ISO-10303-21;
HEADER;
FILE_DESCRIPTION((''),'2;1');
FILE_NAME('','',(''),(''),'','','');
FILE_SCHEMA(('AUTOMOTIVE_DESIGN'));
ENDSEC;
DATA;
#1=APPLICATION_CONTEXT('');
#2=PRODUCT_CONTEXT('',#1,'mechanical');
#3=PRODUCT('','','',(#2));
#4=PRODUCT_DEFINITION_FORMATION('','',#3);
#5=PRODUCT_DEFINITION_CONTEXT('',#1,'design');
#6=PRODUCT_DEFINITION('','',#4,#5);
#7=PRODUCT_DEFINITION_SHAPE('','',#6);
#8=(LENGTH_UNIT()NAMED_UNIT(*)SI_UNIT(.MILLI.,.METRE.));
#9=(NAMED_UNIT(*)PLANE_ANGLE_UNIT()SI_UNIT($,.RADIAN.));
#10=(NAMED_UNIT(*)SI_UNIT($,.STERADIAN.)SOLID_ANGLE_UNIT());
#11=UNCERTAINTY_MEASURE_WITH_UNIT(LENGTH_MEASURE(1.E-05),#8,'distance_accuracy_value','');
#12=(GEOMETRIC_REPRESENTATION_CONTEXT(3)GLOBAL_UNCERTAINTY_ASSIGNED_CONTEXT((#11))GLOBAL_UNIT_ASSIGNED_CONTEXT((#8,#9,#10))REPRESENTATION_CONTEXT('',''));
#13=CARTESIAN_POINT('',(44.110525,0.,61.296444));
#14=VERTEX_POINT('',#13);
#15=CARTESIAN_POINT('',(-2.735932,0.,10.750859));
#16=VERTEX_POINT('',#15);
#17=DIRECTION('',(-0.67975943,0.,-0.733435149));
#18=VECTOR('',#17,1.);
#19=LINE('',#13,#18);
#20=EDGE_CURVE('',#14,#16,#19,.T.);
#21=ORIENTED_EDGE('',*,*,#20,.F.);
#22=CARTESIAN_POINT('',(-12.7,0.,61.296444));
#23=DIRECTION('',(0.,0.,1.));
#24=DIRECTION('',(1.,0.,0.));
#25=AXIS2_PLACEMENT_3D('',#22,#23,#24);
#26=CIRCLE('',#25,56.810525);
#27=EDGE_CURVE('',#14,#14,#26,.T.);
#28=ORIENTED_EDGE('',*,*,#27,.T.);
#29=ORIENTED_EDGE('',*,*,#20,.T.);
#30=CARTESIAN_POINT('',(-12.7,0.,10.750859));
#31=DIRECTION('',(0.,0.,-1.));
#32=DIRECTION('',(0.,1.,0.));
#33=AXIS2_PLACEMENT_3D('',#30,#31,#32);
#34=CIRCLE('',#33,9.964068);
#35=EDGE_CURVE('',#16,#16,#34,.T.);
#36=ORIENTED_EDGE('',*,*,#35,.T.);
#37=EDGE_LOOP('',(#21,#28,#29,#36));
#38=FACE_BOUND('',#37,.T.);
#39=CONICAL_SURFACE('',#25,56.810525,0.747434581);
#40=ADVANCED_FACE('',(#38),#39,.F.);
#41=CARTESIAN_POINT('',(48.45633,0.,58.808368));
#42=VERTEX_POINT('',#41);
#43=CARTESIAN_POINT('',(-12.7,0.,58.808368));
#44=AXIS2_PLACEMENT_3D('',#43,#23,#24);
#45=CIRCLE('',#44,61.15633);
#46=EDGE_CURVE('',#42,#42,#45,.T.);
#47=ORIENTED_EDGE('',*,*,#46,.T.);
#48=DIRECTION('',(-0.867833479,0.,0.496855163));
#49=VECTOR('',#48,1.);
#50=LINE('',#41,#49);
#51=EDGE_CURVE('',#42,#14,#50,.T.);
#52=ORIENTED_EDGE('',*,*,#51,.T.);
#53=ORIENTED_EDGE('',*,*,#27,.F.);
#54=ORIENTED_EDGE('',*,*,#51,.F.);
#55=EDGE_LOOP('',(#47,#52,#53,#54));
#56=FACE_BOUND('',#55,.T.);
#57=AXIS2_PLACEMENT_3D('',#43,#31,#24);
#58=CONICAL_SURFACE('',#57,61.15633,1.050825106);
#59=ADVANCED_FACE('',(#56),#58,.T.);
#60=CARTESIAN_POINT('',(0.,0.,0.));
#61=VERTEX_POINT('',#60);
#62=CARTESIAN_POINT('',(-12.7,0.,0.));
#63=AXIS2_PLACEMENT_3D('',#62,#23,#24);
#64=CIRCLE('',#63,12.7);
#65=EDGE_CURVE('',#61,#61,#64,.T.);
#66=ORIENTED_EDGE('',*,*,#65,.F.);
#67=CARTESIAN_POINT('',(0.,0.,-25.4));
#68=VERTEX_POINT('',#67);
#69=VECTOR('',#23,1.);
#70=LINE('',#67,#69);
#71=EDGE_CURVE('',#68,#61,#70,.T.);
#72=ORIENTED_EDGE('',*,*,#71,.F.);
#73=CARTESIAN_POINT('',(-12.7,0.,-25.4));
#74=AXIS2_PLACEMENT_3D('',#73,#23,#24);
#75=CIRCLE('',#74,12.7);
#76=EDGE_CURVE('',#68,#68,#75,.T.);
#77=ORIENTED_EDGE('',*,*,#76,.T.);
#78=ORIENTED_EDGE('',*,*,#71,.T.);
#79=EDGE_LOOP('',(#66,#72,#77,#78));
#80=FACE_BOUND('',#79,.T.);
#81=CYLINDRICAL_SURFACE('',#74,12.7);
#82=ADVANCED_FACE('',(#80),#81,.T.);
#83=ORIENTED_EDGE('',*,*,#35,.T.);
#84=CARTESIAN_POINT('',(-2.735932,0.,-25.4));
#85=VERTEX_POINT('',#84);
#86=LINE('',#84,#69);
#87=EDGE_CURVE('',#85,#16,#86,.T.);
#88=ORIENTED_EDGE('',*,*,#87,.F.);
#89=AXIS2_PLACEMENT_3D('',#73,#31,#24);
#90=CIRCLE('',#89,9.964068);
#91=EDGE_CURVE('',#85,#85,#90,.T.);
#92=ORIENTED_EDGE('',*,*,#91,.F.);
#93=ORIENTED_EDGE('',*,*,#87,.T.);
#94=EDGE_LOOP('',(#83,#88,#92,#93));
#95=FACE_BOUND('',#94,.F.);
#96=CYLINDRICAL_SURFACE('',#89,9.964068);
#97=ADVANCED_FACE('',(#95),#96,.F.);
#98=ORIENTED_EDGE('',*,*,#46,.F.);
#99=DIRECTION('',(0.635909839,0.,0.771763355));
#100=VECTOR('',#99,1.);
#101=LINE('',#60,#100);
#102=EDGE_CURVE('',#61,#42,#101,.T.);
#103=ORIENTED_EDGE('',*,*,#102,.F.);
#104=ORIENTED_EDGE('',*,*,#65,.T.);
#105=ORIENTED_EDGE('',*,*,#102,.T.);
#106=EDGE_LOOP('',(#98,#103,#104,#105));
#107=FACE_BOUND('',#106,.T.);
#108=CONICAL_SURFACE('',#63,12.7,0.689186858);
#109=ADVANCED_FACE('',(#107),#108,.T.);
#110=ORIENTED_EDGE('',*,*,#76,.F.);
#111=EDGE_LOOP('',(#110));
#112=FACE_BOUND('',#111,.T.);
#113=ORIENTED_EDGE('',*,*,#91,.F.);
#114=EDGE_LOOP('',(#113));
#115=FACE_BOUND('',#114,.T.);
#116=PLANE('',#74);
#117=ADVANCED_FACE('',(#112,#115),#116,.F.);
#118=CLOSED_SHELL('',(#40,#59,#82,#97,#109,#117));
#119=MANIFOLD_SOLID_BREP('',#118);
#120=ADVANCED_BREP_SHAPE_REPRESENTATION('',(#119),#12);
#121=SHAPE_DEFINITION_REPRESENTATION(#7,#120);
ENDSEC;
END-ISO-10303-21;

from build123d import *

# Parameters (mm, degrees)
F2_R     = 9.964068
F3_DEPTH = 50.8


with BuildPart() as f1:
    # F0 (on Front) → F1 (revolve)
    with BuildSketch(Plane.XZ):
        Polygon((0, 0), (48.45633, 58.808368), (44.110525, 61.296444), (-12.7, 0), (-12.7, -25.4), (0, -25.4), align=None)
    revolve(axis=Axis((-12.7, 0, -12.7), (0, 0, 1)))

    # F2 (on face) → F3 (cut)
    with BuildSketch(Plane(origin=(0, 0, -25.4), x_dir=(1, 0, 0), z_dir=(0, 0, -1))):
        with Locations((-12.7, 0)):
            Circle(F2_R)
    extrude(amount=-F3_DEPTH, mode=Mode.SUBTRACT)


solid = f1.part
